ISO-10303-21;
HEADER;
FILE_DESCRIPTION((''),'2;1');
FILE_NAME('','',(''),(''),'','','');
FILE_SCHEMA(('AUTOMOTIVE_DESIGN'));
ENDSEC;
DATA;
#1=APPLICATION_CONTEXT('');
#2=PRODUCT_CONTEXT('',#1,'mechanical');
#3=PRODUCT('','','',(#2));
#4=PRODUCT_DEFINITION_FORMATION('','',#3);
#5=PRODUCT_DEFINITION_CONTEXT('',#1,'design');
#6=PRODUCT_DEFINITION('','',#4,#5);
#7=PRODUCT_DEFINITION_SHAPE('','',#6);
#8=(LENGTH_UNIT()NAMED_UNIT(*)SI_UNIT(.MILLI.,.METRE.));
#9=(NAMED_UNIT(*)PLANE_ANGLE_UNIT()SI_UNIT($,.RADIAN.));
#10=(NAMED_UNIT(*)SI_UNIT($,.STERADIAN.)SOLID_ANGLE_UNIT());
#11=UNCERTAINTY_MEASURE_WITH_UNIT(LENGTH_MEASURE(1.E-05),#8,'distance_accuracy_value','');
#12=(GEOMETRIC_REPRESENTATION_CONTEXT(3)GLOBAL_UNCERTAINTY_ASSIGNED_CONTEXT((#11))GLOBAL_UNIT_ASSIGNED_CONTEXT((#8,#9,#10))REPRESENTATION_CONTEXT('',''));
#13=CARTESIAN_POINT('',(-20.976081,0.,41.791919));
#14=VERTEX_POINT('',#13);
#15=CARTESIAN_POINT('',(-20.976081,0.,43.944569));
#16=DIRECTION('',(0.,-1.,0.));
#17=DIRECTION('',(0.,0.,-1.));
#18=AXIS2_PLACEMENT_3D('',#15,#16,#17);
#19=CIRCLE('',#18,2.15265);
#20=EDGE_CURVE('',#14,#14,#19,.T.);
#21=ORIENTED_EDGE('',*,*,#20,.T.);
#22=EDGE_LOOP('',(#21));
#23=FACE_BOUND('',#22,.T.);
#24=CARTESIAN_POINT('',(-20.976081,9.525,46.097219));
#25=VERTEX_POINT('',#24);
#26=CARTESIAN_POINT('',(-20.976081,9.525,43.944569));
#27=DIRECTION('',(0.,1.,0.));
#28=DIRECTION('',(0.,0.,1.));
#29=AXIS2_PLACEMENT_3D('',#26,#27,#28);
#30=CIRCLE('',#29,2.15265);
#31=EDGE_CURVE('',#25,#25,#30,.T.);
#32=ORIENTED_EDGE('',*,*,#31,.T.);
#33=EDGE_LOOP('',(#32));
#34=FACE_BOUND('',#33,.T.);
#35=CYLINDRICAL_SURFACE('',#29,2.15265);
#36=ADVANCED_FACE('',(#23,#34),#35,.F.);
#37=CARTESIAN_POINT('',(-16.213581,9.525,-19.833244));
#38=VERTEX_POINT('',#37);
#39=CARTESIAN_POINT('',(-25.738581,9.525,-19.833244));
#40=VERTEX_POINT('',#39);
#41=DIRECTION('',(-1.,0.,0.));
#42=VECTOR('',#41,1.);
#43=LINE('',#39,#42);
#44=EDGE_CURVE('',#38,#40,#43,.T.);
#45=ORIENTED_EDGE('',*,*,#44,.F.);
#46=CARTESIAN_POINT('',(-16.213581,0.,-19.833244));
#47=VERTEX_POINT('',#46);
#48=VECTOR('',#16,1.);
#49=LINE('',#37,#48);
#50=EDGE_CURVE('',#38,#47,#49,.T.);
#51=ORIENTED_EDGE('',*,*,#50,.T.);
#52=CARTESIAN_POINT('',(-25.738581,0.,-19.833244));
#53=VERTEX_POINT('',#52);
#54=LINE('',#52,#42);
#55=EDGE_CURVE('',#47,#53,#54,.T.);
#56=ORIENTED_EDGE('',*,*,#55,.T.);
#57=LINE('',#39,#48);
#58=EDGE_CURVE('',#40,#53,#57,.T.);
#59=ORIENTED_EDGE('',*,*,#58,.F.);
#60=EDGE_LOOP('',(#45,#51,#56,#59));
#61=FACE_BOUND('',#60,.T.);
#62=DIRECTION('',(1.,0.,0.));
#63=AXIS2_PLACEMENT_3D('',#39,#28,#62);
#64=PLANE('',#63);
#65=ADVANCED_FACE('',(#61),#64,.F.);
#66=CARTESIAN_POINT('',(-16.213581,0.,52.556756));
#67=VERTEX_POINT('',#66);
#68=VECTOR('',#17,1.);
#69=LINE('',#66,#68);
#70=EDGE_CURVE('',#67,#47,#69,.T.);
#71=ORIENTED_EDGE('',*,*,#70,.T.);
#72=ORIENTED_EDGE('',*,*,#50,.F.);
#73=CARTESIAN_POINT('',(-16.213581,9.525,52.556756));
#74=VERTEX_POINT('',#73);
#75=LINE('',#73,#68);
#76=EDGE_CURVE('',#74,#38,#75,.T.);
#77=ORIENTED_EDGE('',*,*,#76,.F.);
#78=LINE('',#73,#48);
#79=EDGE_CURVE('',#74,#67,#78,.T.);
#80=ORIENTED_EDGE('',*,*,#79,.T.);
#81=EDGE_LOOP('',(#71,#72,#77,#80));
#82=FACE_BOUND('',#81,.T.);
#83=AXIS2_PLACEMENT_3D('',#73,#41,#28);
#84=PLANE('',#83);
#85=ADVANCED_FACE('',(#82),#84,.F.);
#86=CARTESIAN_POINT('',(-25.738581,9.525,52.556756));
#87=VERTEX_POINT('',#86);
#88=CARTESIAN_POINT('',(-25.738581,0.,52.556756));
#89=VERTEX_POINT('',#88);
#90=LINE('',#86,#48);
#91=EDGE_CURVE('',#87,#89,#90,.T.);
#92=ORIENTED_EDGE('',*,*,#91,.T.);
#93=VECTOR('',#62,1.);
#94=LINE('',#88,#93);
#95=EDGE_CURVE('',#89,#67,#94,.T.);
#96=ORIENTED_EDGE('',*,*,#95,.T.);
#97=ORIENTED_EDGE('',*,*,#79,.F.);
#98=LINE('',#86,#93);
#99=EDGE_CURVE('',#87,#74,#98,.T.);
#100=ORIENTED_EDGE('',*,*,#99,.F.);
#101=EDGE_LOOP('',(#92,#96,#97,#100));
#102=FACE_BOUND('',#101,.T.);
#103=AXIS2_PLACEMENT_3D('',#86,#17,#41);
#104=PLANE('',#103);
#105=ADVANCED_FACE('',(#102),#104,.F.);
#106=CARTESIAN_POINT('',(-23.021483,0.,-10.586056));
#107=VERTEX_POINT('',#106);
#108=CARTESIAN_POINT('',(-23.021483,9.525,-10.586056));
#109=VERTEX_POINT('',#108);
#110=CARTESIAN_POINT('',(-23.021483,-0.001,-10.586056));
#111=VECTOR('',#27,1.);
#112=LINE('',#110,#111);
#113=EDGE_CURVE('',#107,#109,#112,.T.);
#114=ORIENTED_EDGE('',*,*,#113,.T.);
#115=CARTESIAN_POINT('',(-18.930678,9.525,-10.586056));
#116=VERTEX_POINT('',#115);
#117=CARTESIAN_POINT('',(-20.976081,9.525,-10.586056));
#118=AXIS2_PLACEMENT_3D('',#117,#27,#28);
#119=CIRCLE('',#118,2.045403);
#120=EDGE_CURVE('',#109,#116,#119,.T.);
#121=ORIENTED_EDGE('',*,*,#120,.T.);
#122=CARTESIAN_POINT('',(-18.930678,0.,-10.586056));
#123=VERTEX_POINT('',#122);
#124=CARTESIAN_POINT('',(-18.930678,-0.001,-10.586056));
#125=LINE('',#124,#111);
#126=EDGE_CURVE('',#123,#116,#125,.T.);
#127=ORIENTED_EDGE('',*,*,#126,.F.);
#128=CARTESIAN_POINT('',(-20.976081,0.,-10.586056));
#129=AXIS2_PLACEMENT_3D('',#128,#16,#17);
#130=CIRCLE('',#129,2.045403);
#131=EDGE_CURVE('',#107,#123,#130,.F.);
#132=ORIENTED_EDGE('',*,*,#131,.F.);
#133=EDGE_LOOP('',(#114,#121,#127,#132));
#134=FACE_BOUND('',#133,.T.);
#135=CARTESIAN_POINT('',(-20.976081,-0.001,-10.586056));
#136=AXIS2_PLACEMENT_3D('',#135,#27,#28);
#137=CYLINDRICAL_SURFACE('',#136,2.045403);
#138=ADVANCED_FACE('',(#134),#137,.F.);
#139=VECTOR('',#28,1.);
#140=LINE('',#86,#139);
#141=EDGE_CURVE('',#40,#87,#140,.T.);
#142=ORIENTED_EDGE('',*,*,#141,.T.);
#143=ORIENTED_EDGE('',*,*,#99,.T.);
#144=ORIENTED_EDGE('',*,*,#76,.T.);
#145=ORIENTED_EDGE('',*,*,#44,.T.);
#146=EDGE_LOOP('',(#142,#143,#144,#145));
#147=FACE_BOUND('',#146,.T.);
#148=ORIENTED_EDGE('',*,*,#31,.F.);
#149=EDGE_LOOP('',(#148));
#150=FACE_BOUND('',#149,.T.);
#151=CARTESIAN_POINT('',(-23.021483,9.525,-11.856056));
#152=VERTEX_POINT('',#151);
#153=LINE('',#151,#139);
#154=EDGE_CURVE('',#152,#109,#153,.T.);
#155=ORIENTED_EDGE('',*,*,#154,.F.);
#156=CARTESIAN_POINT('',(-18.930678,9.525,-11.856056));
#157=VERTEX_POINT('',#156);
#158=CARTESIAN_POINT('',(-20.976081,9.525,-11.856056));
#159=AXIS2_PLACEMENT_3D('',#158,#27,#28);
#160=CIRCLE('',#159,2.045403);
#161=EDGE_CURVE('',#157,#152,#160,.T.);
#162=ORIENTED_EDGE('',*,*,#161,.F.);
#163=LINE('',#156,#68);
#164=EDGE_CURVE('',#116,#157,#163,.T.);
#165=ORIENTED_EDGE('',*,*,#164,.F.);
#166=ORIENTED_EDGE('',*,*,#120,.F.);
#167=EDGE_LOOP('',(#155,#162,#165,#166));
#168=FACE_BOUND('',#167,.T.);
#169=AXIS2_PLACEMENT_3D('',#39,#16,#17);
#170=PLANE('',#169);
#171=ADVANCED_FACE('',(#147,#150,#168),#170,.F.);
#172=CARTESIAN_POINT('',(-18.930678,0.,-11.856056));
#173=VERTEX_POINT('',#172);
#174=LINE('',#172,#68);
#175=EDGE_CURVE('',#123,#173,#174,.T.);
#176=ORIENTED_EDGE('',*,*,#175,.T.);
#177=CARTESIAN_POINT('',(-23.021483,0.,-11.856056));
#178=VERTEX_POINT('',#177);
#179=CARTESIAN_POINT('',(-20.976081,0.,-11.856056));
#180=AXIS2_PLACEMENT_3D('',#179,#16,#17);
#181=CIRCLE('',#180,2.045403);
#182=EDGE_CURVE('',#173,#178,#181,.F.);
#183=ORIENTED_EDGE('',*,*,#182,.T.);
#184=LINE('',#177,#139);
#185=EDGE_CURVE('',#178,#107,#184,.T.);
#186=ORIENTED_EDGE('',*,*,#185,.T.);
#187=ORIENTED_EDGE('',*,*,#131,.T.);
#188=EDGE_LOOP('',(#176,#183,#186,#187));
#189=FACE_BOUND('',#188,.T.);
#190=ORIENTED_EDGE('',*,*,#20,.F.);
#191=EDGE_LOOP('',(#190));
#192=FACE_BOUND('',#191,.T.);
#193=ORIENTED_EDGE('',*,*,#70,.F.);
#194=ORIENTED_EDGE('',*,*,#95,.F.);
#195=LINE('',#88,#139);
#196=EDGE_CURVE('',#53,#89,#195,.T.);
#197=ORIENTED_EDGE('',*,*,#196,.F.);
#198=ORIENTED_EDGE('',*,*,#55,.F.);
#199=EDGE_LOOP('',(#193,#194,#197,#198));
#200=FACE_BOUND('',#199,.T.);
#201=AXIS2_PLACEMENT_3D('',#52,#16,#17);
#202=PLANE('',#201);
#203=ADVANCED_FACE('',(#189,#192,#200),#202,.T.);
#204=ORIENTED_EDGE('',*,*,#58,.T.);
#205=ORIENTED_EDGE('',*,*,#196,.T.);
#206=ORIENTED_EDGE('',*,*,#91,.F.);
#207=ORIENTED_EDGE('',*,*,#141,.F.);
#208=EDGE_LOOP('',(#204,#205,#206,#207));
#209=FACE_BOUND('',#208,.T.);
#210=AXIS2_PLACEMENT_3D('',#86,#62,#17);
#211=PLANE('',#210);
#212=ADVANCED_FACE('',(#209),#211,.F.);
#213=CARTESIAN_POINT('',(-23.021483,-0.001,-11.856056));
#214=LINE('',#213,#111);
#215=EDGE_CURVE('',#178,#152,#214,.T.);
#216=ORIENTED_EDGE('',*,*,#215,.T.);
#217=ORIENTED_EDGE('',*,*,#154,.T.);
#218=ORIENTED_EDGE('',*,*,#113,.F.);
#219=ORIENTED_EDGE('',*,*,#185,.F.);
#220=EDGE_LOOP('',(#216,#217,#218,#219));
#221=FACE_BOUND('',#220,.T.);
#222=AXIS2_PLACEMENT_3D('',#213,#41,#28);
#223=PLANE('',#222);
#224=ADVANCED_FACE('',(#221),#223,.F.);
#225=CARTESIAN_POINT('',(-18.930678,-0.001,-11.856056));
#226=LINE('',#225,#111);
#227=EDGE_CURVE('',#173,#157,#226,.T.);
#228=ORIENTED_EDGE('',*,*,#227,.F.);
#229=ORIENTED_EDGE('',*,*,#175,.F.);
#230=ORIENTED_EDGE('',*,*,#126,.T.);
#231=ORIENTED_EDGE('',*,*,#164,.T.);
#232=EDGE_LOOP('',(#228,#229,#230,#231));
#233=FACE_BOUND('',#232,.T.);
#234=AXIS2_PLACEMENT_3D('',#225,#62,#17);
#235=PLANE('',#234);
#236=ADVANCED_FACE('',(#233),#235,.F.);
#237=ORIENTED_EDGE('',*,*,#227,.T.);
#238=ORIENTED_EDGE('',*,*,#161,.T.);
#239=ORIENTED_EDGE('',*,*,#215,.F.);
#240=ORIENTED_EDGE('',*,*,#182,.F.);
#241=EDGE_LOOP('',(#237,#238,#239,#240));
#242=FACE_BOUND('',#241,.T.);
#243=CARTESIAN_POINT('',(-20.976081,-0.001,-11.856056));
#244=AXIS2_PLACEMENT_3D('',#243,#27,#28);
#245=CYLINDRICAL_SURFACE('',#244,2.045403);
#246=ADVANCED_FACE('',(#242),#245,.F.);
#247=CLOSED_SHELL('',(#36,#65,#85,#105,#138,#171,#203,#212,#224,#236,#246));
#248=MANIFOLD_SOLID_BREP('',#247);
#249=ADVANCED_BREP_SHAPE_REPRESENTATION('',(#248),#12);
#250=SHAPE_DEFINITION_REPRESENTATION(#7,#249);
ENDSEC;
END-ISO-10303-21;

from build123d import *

# Parameters (mm, degrees)
SKETCH1_W                        = 9.525
SKETCH1_H                        = 72.39
BOSS_EXTRUDE1_DEPTH              = 9.525
F_18_0_1695_DIAMETER_HOLE1_D     = 4.3053
F_18_0_1695_DIAMETER_HOLE1_DEPTH = 15.24
F_18_0_1695_DIAMETER_HOLE1_TIP   = 1.293442612
CUT_EXTRUDE1_REACH               = 11.525


with BuildPart() as part:
    # Sketch1 → Boss-Extrude1 (new body)
    with BuildSketch(Plane(origin=(0, 0, 0), x_dir=(1, 0, 0), z_dir=(0, 1, 0))):
        with Locations((-20.976080696, -16.361756412)):
            Rectangle(SKETCH1_W, SKETCH1_H)
    extrude(amount=BOSS_EXTRUDE1_DEPTH)

    # #18 (0.1695) Diameter Hole1
    with Locations(Plane(origin=(0, 9.525, 0), x_dir=(-1, 0, 0), z_dir=(0, 1, 0))):
        with Locations((20.976080696, 43.944568912)):
            Hole(F_18_0_1695_DIAMETER_HOLE1_D / 2, depth=F_18_0_1695_DIAMETER_HOLE1_DEPTH)
            with Locations((0, 0, -(F_18_0_1695_DIAMETER_HOLE1_DEPTH + F_18_0_1695_DIAMETER_HOLE1_TIP / 2))):  # 118° drill point
                Cone(0, F_18_0_1695_DIAMETER_HOLE1_D / 2, F_18_0_1695_DIAMETER_HOLE1_TIP, mode=Mode.SUBTRACT)

    # Sketch4 → Cut-Extrude1 (cut, up to next)
    with BuildSketch(Plane(origin=(0, 9.525, 0), x_dir=(1, 0, 0), z_dir=(0, 1, 0)), mode=Mode.PRIVATE) as cut_extrude1_sk1:
        with BuildLine():
            Line((-18.9306781, 11.856056088), (-18.9306781, 10.586056088))
            ThreePointArc((-18.9306781, 10.586056088), (-20.976080696, 8.540653493), (-23.021483291, 10.586056088))
            Line((-23.021483291, 10.586056088), (-23.021483291, 11.856056088))
            ThreePointArc((-23.021483291, 11.856056088), (-20.976080696, 13.901458684), (-18.9306781, 11.856056088))
        make_face()
    cut_extrude1_tool1 = extrude(cut_extrude1_sk1.sketch, amount=-CUT_EXTRUDE1_REACH, mode=Mode.PRIVATE) & part.part
    add(cut_extrude1_tool1.solids().sort_by_distance((-20.976081, 9.525, -11.221056))[0], mode=Mode.SUBTRACT)


solid = part.part
